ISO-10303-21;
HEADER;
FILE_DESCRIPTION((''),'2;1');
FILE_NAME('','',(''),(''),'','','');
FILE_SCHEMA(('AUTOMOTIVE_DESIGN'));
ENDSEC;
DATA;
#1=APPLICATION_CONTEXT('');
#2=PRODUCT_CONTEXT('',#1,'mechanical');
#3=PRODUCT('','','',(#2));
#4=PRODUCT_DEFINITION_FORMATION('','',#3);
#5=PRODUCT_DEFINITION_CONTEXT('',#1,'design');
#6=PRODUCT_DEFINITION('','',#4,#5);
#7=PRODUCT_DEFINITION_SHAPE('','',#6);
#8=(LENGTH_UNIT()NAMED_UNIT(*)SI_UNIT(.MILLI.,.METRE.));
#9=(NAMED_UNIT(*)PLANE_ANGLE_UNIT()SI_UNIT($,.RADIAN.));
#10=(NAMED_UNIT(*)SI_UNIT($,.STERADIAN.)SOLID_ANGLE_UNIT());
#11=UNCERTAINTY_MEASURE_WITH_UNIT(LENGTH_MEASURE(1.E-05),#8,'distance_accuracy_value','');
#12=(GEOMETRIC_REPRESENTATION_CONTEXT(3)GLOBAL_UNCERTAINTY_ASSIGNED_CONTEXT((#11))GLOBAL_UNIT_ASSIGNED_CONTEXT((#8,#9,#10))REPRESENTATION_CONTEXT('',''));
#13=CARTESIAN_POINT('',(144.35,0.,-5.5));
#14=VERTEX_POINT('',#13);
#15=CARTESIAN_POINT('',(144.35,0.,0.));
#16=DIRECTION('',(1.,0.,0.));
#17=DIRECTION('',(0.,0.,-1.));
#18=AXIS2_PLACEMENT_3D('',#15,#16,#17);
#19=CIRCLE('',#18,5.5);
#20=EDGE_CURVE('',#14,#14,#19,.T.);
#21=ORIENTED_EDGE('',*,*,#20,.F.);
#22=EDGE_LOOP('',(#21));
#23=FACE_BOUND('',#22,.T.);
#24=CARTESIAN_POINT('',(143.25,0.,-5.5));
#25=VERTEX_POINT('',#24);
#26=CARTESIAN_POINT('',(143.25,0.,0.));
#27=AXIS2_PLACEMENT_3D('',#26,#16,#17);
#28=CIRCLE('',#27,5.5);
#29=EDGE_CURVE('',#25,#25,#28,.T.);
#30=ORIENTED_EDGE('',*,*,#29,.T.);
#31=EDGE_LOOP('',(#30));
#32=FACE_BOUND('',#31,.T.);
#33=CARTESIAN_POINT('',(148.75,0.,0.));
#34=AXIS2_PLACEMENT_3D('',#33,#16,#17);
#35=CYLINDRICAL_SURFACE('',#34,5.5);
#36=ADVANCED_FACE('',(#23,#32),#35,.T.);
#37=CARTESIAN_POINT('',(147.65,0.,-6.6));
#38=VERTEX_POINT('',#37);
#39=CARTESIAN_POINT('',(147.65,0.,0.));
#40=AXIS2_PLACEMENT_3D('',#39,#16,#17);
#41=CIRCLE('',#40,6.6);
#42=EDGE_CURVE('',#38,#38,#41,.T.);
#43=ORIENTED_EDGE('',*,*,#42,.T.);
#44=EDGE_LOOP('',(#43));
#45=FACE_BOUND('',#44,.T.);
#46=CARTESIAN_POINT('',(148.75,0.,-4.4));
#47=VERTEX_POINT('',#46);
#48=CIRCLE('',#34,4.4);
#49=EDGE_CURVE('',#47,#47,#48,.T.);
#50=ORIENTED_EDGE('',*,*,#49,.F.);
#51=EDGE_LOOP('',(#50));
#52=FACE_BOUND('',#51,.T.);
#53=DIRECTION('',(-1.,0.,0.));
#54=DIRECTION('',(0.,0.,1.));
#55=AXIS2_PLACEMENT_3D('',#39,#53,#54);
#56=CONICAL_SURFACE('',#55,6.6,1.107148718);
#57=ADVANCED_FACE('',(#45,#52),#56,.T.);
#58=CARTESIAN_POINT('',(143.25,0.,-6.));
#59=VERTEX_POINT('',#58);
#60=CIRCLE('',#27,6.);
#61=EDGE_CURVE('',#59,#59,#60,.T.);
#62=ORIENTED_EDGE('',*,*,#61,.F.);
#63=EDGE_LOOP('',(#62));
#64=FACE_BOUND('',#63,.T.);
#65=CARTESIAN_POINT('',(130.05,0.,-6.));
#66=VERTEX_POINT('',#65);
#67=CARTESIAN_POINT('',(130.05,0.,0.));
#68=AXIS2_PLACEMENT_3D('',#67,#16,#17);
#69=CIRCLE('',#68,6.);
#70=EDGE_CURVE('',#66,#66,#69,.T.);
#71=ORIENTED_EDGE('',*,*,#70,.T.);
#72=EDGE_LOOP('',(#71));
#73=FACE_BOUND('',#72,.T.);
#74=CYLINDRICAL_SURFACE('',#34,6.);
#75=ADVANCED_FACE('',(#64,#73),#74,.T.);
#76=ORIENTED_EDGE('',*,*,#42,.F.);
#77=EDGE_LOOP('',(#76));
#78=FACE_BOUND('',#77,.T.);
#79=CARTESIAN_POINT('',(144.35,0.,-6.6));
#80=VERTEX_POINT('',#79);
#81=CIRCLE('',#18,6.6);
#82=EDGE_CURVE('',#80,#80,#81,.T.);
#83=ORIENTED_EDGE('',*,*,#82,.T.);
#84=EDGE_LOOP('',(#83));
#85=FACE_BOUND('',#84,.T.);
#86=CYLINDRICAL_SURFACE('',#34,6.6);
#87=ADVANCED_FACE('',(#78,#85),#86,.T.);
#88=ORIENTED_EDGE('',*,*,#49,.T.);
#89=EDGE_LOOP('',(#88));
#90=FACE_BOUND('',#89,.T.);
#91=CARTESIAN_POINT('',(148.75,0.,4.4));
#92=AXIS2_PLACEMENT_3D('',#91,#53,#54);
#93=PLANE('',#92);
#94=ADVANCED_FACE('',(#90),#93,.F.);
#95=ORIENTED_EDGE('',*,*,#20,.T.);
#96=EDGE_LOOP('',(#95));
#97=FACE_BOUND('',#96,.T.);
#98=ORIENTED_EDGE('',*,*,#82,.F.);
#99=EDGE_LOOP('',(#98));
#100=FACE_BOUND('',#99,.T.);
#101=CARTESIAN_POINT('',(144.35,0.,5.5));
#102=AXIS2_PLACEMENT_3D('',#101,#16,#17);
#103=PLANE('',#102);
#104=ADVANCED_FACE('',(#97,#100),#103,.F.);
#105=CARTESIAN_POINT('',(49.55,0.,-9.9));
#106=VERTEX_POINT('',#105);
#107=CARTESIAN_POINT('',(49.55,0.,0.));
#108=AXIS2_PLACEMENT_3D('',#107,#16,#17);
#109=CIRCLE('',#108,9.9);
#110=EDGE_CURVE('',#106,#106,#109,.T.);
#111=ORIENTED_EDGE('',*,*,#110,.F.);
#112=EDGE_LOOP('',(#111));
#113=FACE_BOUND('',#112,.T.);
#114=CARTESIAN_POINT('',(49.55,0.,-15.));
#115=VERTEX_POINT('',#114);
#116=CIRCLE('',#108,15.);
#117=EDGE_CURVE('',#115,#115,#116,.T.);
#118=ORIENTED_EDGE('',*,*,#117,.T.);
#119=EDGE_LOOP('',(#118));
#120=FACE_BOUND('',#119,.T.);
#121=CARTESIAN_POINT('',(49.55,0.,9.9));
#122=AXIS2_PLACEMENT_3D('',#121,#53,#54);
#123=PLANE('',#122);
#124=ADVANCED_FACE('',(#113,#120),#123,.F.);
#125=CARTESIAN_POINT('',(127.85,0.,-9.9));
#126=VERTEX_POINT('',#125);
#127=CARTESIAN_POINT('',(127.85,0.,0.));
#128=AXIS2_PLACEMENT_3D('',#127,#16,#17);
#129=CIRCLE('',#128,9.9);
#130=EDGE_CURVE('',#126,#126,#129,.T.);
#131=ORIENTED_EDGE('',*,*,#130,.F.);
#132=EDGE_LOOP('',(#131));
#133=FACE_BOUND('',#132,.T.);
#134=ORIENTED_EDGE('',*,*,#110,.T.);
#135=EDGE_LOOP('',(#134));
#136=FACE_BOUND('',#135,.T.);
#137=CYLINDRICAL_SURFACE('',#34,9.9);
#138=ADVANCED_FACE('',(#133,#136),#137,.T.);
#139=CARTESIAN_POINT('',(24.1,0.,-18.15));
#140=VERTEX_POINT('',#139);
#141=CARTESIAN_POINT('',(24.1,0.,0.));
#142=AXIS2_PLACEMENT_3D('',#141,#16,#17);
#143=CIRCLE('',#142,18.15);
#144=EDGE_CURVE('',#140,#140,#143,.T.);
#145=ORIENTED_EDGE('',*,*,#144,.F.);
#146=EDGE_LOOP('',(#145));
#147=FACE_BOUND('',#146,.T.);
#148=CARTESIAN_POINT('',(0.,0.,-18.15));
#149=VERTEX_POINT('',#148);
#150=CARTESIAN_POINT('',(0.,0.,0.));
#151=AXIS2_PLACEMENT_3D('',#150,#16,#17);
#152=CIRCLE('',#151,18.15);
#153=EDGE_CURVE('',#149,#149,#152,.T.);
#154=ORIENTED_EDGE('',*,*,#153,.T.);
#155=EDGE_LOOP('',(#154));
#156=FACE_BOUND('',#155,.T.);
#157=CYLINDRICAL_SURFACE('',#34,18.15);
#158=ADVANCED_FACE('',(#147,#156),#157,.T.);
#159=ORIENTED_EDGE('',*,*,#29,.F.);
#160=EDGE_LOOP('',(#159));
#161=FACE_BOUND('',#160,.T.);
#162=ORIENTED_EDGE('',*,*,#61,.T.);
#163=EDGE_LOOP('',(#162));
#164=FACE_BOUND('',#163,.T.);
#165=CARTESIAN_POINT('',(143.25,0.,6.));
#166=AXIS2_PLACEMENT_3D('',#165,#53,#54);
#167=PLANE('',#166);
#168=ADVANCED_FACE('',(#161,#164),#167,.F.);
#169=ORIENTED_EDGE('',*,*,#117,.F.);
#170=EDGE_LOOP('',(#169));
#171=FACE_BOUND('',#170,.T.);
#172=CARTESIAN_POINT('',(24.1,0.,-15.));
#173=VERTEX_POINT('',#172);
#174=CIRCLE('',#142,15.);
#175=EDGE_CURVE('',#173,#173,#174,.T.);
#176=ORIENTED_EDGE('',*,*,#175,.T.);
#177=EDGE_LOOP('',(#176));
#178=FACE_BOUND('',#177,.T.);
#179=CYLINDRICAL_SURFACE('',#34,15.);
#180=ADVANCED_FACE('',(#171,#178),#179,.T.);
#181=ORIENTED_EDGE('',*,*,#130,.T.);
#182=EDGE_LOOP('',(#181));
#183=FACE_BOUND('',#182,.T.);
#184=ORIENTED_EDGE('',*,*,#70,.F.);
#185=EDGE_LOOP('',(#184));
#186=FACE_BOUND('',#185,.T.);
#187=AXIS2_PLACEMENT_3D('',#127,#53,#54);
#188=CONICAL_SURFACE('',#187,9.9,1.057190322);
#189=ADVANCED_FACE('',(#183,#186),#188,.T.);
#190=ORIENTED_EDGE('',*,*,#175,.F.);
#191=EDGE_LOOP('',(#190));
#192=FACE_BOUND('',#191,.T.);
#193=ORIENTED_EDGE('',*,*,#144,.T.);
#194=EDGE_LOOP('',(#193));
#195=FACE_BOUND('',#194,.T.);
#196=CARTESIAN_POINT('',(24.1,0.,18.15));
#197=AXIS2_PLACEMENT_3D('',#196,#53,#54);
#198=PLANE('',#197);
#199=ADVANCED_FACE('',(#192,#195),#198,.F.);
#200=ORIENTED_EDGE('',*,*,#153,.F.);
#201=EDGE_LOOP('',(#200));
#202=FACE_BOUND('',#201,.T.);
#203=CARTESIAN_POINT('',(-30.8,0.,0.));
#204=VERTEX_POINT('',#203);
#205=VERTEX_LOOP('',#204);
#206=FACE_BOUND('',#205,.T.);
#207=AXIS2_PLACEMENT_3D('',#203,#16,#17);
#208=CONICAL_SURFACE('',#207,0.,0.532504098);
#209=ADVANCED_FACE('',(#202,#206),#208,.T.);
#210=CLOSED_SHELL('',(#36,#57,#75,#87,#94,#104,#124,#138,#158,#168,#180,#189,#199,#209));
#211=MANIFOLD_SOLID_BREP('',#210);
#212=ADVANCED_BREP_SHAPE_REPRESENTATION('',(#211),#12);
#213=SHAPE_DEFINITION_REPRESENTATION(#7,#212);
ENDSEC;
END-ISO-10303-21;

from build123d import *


with BuildPart() as part:
    # Sketch1 → Revolve1 (revolve)
    with BuildSketch(Plane(origin=(0, 0, 0), x_dir=(1, 0, 0), z_dir=(0, 1, 0)), mode=Mode.PRIVATE) as revolve1_sk:
        Polygon((0, -18.15), (-30.8, 0), (148.75, 0), (148.75, -4.4), (147.65, -6.6), (144.35, -6.6), (144.35, -5.5), (143.25, -5.5), (143.25, -6), (130.05, -6), (127.85, -9.9), (49.55, -9.9), (49.55, -15), (24.1, -15), (24.1, -18.15), align=None)
    revolve(revolve1_sk.sketch.rotate(Axis((148.75, 0, 0), (-1, 0, 0)), 180), axis=Axis((148.75, 0, 0), (-1, 0, 0)))


solid = part.part
